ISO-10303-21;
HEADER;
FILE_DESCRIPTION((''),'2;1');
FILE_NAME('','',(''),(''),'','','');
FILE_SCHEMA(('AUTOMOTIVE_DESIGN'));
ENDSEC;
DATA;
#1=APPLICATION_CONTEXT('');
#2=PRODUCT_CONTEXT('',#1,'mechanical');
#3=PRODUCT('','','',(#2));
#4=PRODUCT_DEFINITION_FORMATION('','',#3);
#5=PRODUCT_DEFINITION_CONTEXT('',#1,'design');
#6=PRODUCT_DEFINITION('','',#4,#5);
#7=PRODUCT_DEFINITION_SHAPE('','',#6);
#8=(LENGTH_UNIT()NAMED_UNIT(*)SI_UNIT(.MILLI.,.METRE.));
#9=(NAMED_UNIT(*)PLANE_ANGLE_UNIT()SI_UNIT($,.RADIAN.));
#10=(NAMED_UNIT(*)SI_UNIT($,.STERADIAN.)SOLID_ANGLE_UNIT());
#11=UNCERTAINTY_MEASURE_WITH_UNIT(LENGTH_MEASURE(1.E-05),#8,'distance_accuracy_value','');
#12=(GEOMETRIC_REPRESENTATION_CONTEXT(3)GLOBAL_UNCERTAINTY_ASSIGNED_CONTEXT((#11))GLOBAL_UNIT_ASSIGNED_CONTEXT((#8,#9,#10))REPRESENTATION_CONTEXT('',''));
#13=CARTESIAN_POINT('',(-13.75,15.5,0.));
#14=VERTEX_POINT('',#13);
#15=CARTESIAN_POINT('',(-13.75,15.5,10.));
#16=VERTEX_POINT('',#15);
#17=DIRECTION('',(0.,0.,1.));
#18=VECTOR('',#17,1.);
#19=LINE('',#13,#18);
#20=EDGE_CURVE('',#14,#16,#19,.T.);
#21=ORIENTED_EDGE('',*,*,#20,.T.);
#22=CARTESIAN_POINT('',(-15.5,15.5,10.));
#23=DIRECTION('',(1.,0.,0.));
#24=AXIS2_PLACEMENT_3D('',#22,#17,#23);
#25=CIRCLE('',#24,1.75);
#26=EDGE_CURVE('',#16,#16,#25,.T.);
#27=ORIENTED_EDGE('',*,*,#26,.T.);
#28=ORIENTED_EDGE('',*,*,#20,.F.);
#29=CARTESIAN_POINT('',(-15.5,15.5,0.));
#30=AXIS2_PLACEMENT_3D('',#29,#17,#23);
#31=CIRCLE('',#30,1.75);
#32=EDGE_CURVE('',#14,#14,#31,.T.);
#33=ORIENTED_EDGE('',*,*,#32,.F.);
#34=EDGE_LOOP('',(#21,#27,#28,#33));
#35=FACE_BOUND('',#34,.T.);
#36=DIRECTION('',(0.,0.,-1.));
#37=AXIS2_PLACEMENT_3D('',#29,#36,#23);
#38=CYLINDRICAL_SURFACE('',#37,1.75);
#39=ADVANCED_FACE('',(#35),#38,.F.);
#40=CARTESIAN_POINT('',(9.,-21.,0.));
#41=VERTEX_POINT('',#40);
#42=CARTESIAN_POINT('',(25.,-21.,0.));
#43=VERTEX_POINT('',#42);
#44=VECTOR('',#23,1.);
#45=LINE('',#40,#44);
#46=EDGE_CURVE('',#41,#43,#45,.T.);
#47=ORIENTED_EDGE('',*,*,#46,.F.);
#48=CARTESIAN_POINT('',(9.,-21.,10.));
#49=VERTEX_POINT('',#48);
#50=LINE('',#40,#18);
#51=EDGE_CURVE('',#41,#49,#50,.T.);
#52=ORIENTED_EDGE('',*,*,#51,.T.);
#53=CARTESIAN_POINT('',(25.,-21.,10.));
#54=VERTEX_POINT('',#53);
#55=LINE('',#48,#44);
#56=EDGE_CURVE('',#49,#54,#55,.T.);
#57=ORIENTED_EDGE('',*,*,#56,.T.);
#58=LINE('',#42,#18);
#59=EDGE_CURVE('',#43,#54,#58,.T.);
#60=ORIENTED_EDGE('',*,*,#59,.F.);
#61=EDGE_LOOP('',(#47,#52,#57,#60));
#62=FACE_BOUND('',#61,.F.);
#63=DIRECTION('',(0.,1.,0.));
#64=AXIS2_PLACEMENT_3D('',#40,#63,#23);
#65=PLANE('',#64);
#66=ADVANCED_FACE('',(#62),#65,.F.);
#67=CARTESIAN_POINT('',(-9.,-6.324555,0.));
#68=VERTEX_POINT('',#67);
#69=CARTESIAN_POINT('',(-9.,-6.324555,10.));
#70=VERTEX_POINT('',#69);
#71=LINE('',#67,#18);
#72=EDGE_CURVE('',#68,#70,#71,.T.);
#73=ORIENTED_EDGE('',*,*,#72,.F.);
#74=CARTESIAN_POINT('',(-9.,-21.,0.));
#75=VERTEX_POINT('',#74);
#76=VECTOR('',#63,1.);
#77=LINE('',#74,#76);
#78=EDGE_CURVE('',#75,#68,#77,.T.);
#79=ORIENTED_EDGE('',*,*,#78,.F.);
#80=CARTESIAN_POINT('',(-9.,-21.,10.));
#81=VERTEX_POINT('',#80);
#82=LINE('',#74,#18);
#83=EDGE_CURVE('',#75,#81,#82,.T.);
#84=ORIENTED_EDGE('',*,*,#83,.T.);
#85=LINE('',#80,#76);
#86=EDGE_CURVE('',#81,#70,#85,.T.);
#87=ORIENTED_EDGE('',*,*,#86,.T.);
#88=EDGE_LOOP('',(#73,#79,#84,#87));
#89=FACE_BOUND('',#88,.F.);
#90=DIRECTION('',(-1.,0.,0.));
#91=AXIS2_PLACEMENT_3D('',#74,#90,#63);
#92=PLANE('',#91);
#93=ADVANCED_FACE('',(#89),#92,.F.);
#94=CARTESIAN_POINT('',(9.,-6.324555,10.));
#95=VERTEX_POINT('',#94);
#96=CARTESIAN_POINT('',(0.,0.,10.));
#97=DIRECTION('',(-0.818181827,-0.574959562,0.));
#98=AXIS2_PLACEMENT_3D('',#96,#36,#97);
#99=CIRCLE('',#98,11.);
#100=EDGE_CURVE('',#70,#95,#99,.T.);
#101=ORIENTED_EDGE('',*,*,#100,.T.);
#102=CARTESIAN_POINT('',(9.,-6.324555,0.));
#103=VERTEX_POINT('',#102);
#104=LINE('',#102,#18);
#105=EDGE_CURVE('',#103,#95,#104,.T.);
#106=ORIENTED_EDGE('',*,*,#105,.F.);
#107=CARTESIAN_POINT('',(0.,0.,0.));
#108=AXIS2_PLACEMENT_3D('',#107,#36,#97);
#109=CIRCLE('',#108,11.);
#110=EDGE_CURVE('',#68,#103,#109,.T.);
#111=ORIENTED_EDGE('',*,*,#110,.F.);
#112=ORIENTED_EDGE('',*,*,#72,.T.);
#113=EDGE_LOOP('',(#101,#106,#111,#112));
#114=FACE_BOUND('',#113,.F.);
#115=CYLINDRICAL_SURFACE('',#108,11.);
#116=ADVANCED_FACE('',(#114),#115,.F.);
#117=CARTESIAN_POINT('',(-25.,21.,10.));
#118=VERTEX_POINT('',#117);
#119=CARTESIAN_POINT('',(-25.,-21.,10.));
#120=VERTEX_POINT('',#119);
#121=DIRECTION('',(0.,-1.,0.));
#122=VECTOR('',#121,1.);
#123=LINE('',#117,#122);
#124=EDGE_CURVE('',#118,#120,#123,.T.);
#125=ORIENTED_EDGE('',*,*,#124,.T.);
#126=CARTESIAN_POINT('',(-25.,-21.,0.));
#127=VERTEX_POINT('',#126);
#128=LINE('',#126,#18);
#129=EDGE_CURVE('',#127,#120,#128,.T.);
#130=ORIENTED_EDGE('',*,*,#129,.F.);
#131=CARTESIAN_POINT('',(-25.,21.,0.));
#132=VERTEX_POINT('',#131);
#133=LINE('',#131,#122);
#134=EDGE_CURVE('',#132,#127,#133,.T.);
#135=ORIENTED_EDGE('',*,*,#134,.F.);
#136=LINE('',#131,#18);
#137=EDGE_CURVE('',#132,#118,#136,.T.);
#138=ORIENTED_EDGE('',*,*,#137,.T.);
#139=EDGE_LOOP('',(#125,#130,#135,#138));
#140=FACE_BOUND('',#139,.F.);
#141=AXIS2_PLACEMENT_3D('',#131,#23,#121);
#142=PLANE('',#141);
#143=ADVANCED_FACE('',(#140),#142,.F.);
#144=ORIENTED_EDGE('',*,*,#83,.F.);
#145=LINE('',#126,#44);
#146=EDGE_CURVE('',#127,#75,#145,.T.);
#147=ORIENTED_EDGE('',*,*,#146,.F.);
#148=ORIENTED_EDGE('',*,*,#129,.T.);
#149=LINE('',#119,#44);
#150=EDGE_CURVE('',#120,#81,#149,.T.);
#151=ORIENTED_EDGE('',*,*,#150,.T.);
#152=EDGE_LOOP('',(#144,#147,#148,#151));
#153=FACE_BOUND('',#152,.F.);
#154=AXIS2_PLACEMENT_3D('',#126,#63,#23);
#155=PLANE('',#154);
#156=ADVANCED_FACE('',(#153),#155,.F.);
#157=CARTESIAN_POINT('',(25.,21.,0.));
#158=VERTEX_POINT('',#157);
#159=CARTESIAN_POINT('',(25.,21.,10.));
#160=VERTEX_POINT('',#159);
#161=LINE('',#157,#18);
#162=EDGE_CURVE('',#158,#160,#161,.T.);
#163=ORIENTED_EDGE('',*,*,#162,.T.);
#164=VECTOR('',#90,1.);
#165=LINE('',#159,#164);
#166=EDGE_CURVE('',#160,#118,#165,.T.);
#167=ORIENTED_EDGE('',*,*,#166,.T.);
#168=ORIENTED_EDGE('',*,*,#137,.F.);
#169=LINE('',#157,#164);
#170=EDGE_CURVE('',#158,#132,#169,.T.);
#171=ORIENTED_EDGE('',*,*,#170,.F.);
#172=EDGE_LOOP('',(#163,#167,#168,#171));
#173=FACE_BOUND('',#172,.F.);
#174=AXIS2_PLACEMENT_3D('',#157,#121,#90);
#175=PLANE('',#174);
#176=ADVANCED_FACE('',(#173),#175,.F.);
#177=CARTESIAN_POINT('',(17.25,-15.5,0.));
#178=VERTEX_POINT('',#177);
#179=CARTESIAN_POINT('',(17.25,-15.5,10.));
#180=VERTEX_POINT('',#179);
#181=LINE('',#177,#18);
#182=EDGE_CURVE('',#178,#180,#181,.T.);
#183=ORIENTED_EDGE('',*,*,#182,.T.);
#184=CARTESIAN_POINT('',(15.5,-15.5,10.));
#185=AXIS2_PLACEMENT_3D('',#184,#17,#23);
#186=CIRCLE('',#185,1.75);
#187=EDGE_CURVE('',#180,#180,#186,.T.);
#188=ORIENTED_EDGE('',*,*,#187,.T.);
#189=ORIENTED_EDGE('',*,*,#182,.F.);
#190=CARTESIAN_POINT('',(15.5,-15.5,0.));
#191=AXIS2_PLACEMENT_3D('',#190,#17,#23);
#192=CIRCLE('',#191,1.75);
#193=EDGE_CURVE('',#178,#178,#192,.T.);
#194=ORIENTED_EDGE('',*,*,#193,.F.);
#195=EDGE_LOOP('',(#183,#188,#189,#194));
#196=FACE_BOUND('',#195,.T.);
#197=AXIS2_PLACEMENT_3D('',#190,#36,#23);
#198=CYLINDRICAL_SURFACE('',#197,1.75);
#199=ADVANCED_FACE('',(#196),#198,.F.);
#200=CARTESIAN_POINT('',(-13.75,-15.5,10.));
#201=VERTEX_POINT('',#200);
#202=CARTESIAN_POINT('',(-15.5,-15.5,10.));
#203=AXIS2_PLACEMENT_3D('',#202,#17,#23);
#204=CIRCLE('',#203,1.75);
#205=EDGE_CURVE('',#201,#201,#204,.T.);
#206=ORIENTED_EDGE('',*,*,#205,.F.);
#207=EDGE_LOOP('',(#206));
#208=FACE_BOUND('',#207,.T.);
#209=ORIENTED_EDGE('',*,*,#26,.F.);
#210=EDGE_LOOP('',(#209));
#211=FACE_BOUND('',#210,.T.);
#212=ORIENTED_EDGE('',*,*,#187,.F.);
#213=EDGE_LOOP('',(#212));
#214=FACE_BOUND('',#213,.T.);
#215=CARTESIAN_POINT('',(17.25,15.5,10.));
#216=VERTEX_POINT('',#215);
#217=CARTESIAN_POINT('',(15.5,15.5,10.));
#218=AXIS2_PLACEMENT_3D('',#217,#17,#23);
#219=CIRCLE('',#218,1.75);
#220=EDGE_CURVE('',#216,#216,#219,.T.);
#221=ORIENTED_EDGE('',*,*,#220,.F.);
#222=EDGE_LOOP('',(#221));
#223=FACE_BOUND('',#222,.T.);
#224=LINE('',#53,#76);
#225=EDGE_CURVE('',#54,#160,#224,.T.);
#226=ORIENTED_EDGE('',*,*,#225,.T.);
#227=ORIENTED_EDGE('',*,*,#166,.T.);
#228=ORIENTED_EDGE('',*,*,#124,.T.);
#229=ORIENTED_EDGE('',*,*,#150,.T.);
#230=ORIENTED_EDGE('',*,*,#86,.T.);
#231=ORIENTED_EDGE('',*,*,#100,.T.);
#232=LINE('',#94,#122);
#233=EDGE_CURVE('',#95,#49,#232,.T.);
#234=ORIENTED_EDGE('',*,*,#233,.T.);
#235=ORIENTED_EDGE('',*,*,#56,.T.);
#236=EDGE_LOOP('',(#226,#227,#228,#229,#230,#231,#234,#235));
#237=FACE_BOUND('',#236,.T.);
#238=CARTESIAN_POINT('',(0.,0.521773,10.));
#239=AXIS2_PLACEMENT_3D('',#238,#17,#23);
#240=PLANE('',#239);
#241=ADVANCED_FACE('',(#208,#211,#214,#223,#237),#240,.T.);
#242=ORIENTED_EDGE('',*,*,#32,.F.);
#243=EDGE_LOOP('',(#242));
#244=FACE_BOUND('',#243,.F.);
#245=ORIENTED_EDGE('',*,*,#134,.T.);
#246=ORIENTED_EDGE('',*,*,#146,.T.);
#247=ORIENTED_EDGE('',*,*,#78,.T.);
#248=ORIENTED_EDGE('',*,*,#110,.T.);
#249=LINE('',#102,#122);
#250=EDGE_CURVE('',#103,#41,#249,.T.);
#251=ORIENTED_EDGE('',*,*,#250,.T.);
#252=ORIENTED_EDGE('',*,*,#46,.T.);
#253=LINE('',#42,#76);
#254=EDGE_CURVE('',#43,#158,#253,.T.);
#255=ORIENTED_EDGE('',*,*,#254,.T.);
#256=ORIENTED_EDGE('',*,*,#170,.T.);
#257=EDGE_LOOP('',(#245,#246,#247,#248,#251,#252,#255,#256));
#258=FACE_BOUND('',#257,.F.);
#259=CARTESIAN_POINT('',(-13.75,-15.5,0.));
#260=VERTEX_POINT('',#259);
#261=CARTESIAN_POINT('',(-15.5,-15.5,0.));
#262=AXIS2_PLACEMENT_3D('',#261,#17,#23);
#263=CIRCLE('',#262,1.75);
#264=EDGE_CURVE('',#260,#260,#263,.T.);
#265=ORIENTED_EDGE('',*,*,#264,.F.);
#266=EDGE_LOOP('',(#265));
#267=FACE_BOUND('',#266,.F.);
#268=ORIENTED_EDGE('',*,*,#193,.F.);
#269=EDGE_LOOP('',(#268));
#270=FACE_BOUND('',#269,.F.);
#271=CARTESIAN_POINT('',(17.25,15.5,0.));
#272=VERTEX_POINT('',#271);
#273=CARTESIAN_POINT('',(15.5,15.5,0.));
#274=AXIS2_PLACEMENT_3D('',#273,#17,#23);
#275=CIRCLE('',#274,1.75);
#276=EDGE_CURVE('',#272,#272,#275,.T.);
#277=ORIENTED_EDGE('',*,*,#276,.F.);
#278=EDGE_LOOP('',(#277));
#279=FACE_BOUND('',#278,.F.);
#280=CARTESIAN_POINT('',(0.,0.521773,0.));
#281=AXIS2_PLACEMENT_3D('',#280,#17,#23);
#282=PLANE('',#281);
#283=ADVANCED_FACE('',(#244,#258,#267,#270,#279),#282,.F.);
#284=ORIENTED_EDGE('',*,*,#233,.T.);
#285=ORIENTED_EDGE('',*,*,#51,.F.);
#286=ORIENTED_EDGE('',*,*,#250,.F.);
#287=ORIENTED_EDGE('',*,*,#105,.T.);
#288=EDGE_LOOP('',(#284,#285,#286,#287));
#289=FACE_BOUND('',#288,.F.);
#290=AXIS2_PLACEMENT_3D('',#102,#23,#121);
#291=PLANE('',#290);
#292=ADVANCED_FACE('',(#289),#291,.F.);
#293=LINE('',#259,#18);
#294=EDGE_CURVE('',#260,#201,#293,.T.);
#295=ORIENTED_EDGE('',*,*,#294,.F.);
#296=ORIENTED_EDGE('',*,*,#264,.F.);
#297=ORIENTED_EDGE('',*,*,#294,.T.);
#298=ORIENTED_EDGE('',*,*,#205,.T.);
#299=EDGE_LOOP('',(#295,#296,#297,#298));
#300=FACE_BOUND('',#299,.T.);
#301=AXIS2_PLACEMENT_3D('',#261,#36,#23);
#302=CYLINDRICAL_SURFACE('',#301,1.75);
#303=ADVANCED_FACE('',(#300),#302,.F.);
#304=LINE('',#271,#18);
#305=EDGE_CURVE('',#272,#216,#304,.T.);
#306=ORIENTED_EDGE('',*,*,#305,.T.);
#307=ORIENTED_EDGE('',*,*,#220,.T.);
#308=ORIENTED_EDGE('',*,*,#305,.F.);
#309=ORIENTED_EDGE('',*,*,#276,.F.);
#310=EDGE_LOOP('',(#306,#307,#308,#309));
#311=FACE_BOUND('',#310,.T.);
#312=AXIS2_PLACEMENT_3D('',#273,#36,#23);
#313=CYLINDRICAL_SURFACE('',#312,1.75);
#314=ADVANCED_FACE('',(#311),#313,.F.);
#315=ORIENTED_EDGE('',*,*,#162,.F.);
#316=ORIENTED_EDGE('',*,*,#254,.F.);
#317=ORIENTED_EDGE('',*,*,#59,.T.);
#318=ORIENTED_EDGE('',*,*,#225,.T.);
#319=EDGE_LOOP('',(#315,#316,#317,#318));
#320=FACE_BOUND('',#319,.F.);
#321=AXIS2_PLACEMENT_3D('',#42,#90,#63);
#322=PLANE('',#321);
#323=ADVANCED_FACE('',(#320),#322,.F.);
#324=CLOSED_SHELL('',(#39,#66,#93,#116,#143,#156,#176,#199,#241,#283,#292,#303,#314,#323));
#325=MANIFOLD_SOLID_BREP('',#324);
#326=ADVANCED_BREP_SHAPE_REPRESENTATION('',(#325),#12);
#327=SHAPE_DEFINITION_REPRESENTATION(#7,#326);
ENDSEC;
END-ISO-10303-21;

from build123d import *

# Parameters (mm, degrees)
F0_R     = 1.75
F1_DEPTH = 10


with BuildPart() as f1:
    # F0 (on Top) → F1 (new body)
    with BuildSketch(Plane.XY):
        with BuildLine():
            Line((25, 21), (-25, 21))
            Line((-25, 21), (-25, -21))
            Line((-25, -21), (-9, -21))
            Line((-9, -21), (-9, -6.324555))
            ThreePointArc((-9, -6.324555), (0, 11), (9, -6.324555))
            Line((9, -6.324555), (9, -21))
            Line((9, -21), (25, -21))
            Line((25, -21), (25, 21))
        make_face()
        with Locations((-15.5, -15.5)):
            Circle(F0_R, mode=Mode.SUBTRACT)
        with Locations((15.5, -15.5)):
            Circle(F0_R, mode=Mode.SUBTRACT)
        with Locations((-15.5, 15.5)):
            Circle(F0_R, mode=Mode.SUBTRACT)
        with Locations((15.5, 15.5)):
            Circle(F0_R, mode=Mode.SUBTRACT)
    extrude(amount=F1_DEPTH)


solid = f1.part
